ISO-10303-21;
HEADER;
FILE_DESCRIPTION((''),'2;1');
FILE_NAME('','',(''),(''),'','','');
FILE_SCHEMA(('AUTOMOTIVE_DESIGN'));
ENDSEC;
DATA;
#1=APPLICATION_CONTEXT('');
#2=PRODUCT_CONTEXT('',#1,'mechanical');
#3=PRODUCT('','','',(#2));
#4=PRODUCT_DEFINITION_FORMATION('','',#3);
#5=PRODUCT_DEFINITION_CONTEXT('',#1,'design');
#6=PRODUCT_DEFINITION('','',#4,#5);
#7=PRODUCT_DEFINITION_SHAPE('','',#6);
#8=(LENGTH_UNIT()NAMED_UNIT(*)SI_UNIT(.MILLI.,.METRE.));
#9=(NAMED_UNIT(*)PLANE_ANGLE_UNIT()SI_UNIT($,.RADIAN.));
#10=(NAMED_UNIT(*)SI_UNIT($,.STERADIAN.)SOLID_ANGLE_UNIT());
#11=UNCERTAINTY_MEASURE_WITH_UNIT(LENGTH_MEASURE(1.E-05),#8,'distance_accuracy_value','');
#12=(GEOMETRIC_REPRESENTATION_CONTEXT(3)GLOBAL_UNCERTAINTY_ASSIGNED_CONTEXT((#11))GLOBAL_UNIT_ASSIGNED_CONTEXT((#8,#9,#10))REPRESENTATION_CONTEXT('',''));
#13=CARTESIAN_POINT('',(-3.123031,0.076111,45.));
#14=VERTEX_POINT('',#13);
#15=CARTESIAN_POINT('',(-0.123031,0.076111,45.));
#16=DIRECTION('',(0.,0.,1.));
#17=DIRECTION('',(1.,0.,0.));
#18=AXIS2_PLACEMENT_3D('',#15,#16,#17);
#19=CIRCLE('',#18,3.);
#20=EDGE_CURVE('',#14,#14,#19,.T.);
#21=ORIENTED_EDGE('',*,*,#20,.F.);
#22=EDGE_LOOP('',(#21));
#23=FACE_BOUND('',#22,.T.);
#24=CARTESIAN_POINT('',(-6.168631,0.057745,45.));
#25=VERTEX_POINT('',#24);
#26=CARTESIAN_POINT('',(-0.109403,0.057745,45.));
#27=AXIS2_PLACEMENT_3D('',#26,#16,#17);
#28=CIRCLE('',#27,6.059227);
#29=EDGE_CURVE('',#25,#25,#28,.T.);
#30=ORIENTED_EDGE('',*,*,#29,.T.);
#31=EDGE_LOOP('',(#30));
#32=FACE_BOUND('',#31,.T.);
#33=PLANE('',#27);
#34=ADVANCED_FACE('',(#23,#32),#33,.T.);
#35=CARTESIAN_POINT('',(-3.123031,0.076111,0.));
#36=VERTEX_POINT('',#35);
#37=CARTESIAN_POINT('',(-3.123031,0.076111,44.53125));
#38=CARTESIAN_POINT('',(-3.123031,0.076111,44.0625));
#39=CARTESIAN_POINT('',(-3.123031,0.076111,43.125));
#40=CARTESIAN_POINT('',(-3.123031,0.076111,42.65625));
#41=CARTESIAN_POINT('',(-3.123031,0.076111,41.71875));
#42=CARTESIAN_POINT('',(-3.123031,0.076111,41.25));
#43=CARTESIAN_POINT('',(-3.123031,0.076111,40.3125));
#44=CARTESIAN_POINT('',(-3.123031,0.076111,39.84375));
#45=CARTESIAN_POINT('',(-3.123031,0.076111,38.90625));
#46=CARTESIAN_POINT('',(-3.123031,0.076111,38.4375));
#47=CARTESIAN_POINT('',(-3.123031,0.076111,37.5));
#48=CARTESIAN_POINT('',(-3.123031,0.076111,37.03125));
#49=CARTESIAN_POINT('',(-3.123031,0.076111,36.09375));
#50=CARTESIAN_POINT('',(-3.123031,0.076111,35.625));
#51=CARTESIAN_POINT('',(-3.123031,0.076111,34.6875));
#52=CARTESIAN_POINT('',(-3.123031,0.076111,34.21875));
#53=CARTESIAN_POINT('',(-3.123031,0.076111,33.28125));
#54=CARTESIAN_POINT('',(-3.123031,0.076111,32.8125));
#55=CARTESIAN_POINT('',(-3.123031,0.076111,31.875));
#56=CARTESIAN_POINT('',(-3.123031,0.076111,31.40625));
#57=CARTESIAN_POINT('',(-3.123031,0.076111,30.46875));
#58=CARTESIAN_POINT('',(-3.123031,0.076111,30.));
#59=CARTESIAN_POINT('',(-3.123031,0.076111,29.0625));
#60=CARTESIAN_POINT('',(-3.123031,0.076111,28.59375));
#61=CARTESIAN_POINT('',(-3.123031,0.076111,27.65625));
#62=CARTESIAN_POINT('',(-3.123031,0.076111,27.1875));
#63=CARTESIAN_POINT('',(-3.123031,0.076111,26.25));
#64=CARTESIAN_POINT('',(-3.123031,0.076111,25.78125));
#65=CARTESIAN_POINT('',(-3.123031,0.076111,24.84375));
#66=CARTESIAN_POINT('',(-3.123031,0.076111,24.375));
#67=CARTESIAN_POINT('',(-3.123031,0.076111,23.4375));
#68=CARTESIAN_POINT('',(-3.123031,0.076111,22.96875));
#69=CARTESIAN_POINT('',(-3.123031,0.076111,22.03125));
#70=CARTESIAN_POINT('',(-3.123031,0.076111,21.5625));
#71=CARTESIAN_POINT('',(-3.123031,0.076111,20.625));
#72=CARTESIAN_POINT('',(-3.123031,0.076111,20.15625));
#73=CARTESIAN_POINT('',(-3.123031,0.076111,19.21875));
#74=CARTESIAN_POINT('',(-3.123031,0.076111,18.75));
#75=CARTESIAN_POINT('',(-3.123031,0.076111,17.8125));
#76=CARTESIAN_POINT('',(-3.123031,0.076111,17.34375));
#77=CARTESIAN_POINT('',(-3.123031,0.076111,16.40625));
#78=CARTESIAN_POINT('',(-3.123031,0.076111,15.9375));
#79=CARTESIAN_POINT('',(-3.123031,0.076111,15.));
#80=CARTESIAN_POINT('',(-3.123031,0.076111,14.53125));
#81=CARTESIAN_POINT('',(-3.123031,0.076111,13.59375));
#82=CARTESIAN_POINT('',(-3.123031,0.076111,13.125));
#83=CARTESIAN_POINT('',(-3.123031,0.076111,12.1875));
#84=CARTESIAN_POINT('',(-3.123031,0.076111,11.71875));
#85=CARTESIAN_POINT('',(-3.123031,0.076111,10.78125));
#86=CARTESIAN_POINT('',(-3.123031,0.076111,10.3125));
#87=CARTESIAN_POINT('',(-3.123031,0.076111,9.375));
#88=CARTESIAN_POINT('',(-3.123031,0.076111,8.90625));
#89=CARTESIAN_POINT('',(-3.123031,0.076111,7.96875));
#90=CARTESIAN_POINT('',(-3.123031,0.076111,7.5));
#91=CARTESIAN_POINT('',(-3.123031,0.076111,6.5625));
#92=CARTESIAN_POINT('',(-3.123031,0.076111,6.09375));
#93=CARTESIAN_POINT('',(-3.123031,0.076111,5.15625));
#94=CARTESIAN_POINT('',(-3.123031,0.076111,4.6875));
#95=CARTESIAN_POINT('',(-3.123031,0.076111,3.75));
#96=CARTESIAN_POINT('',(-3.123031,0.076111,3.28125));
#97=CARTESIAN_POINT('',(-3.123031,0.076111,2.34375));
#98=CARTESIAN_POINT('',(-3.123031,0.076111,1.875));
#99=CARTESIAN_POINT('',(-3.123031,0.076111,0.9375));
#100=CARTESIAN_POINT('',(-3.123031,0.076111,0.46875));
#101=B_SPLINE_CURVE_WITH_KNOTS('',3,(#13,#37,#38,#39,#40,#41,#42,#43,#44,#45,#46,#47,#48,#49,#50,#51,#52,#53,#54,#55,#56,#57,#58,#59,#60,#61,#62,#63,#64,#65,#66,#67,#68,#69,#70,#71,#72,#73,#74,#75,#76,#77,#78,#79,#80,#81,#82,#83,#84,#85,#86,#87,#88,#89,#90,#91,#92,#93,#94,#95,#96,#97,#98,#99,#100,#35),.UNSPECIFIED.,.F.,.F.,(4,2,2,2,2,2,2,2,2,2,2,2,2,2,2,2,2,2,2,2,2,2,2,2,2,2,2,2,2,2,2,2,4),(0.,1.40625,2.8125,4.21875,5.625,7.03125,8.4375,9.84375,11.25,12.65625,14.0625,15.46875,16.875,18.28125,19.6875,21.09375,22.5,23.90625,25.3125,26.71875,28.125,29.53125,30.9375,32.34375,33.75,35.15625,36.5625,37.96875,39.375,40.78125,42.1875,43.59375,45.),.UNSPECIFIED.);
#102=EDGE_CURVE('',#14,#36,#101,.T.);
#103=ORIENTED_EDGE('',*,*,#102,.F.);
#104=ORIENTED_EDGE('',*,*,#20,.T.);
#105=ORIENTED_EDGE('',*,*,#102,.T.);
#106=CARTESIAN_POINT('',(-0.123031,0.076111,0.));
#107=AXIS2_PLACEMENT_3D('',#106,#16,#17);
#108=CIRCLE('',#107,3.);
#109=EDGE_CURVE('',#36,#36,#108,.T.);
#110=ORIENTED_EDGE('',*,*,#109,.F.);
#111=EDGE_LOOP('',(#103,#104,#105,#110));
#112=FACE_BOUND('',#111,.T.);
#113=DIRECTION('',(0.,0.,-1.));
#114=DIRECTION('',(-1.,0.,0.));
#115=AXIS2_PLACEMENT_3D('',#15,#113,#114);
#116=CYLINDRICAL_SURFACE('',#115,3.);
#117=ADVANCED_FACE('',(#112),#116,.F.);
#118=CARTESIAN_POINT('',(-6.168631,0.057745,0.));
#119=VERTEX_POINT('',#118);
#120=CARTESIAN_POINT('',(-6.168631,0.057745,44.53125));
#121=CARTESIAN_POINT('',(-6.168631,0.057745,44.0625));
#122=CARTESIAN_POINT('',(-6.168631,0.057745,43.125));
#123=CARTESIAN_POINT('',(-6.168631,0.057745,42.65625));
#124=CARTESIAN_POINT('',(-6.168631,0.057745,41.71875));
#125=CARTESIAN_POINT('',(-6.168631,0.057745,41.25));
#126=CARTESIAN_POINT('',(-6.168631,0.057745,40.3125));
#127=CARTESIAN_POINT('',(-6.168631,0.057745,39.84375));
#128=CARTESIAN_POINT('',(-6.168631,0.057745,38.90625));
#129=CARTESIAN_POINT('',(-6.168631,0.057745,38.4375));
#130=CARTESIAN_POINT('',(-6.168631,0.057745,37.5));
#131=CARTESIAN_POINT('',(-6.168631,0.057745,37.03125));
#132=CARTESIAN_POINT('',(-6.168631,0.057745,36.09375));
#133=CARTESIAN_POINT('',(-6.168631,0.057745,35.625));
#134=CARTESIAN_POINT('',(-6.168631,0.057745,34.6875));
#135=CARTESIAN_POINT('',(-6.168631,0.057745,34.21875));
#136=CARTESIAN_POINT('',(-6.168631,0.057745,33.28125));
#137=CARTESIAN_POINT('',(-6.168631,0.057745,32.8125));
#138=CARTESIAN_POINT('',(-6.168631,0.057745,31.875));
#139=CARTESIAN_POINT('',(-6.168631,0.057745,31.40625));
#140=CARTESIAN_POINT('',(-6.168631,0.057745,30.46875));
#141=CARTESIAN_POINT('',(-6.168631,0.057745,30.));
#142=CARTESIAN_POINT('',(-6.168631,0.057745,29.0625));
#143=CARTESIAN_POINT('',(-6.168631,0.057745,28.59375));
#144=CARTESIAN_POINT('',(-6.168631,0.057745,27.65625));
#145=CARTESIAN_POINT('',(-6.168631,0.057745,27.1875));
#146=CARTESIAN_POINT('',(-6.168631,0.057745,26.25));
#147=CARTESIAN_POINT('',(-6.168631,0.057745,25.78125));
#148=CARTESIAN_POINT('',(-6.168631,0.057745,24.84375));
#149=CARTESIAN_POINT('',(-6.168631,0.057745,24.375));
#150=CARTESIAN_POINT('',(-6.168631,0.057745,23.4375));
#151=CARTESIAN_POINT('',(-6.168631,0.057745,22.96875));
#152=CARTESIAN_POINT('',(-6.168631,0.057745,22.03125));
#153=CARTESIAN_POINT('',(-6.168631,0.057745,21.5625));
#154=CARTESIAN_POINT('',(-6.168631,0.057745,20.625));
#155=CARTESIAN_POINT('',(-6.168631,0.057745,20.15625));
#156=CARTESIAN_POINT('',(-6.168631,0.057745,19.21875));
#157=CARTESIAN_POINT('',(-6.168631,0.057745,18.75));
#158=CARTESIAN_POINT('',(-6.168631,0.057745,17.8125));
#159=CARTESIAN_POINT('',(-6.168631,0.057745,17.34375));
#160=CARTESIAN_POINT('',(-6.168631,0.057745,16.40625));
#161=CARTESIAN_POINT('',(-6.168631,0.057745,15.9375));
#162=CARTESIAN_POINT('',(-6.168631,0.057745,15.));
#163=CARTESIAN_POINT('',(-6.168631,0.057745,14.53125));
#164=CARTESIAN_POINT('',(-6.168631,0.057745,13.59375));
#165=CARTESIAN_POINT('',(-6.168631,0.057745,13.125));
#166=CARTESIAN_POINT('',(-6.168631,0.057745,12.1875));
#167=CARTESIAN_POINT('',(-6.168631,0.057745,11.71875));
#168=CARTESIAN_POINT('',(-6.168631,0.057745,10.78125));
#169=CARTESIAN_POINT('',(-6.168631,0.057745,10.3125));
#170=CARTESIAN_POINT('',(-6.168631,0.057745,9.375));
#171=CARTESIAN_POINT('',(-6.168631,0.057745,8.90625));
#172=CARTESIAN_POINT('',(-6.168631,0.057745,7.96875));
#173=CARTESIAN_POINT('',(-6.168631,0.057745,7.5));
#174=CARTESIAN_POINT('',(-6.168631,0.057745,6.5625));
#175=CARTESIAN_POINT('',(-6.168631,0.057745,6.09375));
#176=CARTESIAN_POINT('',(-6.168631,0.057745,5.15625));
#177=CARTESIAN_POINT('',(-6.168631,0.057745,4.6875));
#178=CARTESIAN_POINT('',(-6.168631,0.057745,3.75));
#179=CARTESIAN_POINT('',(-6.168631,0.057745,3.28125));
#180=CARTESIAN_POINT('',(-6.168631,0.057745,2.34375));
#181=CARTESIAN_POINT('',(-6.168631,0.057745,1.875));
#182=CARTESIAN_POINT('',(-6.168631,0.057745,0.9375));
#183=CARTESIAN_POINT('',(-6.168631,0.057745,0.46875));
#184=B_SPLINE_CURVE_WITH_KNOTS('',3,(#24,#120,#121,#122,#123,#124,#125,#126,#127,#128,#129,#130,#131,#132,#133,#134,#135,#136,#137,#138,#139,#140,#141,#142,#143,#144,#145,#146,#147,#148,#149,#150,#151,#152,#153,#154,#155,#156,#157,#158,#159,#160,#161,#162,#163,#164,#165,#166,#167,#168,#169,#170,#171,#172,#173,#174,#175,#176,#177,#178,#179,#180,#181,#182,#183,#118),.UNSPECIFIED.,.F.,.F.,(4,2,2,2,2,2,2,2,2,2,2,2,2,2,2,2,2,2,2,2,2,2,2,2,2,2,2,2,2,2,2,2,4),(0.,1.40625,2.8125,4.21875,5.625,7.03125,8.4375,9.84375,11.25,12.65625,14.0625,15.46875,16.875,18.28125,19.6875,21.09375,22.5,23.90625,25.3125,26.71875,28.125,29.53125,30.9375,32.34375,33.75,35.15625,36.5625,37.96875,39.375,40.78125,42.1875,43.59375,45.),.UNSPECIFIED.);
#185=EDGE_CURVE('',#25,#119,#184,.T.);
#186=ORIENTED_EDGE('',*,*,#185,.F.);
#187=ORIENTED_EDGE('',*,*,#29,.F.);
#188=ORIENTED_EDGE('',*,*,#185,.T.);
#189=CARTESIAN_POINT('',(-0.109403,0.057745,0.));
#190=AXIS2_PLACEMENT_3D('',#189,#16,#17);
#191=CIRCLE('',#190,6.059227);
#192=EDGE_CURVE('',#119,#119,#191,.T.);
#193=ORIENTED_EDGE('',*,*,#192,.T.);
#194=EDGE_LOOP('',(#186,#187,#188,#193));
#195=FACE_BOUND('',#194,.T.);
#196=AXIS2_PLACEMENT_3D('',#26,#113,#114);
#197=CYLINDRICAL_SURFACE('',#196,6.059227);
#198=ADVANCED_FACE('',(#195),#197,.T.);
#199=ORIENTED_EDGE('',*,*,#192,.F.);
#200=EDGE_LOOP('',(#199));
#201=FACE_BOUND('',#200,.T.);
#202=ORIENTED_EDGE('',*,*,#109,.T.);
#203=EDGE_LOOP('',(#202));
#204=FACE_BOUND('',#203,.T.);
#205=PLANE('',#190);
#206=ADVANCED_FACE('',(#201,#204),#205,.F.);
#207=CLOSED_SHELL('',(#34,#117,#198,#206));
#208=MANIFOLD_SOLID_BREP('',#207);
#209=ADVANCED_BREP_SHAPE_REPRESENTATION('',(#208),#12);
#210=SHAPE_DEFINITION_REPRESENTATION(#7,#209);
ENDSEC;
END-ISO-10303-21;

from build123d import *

# Parameters (mm, degrees)
ESQUISSE1_R        = 6.059227443
ESQUISSE1_R_2      = 3
BOSS_EXTRU_1_DEPTH = 45


with BuildPart() as part:
    # Esquisse1 → Boss.-Extru.1 (new body)
    with BuildSketch(Plane.XY):
        with Locations(Location((-0.109403062, 0.057745212, 0), (0, 0, 180))):
            Circle(ESQUISSE1_R)
        with Locations(Location((-0.123031065, 0.076111171, 0), (0, 0, 180))):
            Circle(ESQUISSE1_R_2, mode=Mode.SUBTRACT)
    extrude(amount=BOSS_EXTRU_1_DEPTH)


solid = part.part
